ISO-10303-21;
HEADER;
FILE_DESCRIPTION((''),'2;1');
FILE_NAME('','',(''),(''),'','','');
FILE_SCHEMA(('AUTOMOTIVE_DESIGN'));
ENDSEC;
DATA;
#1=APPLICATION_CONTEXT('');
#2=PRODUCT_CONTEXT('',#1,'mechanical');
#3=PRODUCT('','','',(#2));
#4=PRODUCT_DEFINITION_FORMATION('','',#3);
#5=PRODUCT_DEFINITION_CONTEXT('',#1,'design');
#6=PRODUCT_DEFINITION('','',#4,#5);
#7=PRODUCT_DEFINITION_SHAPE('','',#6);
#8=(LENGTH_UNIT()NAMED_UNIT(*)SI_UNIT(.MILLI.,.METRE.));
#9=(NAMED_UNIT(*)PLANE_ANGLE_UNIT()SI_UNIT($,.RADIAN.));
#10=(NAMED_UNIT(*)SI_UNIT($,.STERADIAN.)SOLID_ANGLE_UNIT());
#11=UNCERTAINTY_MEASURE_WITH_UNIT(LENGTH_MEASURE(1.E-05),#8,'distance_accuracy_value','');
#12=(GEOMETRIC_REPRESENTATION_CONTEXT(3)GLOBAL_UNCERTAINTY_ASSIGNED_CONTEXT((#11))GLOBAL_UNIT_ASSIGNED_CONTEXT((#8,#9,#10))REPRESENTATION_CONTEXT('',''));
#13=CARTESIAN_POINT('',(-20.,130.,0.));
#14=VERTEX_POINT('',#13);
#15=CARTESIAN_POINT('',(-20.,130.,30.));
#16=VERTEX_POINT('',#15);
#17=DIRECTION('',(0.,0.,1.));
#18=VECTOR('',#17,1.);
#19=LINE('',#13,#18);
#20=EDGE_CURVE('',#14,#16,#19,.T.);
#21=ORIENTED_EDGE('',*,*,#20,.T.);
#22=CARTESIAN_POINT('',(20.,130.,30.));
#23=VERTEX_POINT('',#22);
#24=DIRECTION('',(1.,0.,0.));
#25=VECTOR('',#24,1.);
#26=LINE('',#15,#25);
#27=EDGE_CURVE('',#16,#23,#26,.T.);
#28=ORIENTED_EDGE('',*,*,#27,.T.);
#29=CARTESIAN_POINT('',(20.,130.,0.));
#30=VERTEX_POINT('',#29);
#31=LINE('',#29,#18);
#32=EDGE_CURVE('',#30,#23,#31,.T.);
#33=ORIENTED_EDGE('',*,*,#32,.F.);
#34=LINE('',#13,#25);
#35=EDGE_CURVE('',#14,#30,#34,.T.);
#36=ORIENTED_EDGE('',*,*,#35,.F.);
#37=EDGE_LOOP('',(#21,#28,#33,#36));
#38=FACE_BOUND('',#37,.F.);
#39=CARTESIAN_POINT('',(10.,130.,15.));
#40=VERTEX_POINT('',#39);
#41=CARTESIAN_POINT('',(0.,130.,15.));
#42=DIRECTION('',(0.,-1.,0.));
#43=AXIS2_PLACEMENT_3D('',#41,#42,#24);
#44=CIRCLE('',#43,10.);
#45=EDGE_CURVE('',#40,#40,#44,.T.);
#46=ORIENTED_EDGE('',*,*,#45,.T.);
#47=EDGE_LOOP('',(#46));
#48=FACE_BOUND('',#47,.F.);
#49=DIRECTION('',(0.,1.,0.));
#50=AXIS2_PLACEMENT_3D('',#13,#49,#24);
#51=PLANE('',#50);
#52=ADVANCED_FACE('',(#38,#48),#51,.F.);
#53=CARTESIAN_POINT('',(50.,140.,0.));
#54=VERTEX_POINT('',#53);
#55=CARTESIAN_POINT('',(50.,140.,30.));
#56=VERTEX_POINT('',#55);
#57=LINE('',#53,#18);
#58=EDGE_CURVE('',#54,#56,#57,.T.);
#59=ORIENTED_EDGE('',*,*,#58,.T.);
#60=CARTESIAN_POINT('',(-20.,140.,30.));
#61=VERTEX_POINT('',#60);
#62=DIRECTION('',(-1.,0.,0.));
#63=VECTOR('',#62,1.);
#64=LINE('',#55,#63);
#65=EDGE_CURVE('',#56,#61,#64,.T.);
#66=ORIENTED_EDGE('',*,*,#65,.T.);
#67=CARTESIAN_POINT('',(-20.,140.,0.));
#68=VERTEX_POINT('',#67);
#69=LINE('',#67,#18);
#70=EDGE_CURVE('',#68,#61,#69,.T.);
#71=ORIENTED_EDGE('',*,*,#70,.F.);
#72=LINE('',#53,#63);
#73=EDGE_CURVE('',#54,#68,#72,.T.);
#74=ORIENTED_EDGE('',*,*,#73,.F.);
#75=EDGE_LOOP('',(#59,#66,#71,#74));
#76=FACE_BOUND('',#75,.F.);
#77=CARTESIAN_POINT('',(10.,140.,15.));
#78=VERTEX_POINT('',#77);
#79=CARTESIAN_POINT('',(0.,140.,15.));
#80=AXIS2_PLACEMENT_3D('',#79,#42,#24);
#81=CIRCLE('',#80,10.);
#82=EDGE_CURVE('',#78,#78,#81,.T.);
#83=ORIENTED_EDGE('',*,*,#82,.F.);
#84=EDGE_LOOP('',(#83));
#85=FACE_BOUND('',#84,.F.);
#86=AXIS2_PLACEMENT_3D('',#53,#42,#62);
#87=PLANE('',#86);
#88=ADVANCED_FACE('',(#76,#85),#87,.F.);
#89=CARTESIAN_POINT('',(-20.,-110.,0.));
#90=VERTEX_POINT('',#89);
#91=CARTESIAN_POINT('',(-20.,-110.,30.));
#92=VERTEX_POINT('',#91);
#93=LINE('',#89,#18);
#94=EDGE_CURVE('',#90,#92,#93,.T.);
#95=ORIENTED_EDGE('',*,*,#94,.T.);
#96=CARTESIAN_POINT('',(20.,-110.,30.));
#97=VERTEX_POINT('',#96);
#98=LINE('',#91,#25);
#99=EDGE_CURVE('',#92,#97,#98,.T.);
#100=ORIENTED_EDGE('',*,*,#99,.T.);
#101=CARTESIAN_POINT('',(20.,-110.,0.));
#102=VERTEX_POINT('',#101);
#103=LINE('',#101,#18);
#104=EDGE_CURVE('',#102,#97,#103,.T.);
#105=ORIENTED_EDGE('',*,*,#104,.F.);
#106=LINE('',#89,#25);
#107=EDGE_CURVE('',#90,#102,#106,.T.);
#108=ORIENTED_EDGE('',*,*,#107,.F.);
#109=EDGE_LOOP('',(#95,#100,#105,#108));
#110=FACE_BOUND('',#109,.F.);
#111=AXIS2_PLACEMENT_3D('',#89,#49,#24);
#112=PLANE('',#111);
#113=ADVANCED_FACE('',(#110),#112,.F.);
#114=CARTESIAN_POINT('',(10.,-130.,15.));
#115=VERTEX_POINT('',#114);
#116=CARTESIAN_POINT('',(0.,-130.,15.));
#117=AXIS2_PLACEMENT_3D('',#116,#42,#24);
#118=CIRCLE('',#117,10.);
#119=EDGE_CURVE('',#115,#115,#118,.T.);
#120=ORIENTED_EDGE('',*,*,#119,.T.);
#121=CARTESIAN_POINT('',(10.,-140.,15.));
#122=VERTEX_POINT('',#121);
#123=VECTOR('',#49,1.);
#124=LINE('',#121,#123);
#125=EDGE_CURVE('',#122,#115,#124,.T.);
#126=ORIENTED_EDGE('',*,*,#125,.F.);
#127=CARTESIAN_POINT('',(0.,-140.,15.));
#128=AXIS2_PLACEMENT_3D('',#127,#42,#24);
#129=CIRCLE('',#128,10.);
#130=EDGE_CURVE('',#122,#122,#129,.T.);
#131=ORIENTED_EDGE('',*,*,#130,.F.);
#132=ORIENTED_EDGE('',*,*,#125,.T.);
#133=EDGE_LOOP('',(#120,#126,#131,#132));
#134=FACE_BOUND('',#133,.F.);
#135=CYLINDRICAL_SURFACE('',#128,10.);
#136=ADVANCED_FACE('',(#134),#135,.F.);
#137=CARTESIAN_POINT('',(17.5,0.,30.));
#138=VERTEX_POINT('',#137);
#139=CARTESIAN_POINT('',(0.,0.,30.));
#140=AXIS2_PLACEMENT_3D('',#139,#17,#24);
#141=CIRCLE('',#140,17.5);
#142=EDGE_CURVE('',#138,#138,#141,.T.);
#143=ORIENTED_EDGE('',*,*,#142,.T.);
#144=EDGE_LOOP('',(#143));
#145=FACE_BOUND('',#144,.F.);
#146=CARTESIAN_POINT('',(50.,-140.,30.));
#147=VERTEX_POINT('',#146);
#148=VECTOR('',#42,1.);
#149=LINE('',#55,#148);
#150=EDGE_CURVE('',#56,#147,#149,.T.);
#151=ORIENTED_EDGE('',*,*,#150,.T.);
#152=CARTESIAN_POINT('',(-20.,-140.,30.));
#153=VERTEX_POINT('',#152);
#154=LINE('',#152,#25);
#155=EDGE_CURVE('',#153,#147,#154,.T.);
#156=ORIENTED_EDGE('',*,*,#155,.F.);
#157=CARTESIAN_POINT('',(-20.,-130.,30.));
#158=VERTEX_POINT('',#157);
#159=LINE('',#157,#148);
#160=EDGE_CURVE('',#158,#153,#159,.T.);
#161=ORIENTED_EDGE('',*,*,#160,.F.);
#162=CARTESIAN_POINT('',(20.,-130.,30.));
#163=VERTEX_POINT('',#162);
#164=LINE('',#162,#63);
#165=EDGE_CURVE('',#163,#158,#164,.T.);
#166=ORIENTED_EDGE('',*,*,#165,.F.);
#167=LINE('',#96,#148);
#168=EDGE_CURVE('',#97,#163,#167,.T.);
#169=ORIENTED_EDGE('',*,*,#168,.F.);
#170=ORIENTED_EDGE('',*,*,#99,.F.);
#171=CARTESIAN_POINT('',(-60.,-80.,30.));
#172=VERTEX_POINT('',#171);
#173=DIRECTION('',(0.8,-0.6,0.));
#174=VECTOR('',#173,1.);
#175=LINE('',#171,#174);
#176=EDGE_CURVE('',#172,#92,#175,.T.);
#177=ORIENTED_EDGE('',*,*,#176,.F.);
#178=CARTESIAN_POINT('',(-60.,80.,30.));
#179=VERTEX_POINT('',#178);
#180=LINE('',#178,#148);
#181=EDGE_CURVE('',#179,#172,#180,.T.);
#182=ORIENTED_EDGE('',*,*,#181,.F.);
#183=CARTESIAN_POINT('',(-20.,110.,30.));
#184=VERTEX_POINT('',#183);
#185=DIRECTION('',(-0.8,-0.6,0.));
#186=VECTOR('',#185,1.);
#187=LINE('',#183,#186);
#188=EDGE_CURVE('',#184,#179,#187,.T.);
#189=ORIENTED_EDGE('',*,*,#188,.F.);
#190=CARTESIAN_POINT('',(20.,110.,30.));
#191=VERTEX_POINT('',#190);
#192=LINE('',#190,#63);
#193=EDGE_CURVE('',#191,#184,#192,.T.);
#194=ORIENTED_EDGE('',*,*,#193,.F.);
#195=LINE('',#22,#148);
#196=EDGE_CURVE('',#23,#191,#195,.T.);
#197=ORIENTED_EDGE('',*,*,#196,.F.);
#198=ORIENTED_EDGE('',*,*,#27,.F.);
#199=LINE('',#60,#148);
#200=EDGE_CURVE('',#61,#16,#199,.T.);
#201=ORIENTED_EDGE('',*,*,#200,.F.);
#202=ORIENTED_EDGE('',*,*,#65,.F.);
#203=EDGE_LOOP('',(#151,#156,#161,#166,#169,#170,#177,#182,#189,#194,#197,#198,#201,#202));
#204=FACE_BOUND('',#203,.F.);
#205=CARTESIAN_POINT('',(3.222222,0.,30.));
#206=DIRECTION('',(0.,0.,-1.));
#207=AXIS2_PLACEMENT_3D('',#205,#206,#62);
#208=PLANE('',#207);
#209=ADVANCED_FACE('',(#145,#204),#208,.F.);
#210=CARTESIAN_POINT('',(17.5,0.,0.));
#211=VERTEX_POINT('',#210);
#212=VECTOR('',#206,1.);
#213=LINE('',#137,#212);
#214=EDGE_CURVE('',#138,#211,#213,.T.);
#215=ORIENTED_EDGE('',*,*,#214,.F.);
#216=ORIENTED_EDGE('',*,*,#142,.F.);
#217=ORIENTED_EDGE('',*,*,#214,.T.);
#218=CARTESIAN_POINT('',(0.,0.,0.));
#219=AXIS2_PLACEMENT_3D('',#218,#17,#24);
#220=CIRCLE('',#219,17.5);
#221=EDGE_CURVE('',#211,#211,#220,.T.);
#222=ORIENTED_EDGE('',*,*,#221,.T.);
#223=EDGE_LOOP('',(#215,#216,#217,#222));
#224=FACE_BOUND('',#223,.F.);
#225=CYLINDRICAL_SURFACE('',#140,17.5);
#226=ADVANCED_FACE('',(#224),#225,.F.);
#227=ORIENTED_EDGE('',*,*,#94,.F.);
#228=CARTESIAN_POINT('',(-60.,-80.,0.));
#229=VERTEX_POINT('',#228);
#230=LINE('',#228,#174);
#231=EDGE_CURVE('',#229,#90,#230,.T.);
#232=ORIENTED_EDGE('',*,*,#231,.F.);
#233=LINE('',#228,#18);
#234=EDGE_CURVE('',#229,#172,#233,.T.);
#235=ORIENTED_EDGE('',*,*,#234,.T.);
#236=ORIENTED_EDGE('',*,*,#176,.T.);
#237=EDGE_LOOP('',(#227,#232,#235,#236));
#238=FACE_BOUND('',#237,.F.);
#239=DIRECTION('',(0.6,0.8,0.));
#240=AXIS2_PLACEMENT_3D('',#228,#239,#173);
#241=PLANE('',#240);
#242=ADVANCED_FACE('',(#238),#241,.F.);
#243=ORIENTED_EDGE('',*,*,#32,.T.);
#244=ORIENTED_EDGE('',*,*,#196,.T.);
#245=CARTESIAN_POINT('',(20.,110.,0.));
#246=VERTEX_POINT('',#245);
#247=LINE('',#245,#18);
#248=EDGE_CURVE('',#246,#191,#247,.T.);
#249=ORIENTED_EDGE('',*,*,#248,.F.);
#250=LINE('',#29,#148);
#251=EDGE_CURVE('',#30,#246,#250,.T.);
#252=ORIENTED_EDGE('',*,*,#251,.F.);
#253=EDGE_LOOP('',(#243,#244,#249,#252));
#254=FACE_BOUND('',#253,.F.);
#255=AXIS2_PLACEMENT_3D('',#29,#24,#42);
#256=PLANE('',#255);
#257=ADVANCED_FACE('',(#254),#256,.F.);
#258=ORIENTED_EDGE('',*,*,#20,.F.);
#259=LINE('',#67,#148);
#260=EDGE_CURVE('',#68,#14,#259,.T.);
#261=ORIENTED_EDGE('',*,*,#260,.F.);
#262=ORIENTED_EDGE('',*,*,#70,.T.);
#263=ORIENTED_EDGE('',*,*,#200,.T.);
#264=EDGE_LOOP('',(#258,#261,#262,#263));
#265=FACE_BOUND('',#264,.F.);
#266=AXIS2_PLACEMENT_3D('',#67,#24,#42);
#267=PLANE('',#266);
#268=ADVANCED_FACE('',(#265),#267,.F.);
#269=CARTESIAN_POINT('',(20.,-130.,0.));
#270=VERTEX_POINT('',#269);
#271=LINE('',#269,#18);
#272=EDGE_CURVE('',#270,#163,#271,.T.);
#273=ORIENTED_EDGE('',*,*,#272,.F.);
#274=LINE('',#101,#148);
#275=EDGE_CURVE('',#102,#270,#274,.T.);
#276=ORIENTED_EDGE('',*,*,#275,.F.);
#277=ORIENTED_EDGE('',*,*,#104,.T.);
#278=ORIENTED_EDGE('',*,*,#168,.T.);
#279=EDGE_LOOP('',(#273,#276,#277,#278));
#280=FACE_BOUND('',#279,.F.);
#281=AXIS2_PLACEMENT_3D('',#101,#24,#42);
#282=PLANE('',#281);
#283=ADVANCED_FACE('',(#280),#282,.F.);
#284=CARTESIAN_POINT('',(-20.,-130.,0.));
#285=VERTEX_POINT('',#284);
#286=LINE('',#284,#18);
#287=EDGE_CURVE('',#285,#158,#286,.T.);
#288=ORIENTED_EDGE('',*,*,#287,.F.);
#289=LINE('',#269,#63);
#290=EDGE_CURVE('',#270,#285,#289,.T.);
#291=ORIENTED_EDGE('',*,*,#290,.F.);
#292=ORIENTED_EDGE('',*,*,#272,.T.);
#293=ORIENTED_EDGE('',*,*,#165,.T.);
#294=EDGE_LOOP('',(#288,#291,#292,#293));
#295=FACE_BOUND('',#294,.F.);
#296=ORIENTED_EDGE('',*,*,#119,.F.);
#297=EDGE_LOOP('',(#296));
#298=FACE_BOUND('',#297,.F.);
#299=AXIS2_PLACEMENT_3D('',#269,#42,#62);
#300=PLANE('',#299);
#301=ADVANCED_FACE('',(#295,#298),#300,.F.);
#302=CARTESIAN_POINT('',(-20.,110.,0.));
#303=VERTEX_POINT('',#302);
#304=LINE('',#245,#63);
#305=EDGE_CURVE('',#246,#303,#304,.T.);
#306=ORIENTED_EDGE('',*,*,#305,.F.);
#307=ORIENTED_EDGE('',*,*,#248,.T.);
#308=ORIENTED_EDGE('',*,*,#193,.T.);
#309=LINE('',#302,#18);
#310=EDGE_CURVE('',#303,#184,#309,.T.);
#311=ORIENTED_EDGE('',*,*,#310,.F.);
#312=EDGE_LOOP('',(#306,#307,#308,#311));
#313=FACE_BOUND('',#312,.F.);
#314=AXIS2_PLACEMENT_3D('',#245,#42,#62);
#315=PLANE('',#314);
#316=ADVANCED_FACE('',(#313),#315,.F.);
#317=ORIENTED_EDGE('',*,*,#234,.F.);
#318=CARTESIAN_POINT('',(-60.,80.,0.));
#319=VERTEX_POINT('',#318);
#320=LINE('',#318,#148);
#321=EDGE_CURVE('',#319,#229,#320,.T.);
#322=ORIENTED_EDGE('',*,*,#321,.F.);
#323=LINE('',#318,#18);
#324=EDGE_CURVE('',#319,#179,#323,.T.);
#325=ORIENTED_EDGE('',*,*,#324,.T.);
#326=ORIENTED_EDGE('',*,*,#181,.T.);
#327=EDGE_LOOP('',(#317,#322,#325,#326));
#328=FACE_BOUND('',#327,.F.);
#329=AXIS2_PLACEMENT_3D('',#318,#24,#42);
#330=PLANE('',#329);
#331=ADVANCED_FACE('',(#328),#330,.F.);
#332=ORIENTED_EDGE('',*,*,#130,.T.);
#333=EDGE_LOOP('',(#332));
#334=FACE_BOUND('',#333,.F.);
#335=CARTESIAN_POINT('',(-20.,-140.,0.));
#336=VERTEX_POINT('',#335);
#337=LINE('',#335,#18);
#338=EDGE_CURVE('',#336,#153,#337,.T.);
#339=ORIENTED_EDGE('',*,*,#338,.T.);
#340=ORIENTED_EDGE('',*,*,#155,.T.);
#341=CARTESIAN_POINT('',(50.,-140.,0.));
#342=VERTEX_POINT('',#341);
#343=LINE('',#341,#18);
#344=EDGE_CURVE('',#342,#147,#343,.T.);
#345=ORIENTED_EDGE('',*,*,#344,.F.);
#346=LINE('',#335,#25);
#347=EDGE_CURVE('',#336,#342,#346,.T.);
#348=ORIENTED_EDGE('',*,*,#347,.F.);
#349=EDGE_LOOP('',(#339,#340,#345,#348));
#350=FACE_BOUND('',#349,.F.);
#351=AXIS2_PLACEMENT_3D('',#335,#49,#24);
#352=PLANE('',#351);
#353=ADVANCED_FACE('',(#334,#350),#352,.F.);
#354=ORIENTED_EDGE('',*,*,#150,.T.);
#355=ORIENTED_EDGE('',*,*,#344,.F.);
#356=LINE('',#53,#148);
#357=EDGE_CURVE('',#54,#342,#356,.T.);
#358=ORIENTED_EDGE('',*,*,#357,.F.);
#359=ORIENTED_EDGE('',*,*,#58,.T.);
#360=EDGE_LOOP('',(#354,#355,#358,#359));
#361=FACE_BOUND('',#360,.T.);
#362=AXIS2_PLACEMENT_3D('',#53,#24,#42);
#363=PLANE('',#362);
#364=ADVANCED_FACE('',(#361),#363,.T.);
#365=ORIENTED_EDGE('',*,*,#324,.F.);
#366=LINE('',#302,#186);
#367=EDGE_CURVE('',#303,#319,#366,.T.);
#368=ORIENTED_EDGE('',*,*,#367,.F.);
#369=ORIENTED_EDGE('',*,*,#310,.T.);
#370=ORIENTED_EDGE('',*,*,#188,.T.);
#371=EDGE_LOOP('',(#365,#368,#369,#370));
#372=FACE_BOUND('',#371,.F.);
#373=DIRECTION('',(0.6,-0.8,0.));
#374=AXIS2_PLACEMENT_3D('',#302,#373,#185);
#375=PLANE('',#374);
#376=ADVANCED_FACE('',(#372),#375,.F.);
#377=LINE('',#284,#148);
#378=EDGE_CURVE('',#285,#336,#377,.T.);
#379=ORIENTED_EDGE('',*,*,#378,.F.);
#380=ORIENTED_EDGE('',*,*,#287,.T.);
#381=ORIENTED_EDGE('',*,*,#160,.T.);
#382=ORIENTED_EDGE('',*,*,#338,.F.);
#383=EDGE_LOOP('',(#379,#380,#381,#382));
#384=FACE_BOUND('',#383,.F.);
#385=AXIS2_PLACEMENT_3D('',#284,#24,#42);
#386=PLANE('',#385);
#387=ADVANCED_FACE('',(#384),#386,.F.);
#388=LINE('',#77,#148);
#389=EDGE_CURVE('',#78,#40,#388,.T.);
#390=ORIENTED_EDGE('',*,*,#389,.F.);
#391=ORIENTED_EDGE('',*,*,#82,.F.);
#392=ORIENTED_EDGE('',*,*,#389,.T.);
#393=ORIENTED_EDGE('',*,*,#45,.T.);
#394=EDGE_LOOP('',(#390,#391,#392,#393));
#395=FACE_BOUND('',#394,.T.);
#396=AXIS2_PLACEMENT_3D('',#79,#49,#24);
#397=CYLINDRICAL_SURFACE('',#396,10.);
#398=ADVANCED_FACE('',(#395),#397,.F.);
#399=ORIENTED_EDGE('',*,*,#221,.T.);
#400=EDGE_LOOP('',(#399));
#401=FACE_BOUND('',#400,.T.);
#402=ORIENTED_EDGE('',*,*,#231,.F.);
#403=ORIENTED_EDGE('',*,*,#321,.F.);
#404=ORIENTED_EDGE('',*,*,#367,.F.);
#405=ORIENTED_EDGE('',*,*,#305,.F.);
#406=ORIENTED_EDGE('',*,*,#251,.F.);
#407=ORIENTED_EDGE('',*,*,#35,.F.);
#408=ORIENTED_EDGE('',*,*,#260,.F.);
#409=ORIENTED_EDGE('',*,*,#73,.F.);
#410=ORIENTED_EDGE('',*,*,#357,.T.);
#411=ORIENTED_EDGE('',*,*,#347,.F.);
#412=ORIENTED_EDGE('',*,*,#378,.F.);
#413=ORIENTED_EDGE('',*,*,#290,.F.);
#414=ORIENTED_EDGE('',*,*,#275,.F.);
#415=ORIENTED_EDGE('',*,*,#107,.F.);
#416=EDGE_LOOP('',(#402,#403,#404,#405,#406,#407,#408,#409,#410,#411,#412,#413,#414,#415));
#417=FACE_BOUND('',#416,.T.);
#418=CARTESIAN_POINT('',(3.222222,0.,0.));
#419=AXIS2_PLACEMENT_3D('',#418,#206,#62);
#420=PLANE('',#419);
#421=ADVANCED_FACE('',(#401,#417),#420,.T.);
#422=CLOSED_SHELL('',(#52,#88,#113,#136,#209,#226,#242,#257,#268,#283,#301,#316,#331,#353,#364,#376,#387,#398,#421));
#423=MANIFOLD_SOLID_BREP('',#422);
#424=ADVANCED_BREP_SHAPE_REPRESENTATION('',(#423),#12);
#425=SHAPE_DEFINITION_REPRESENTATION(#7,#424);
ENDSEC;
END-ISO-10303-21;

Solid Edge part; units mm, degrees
sketch "Sketch1" plane through (0, 0, 0) normal (0, 0, 1) x (1, 0, 0)
  line L0 (50, 140) -> (50, -140)
  line L1 (-20, -140) -> (50, -140)
  line L2 (-20, -130) -> (-20, -140)
  line L3 (20, -130) -> (-20, -130)
  line L4 (20, -110) -> (20, -130)
  line L5 (-20, -110) -> (20, -110)
  line L6 (-60, -80) -> (-20, -110)
  line L7 (-60, 80) -> (-60, -80)
  line L8 (-20, 110) -> (-60, 80)
  line L9 (20, 110) -> (-20, 110)
  line L10 (20, 130) -> (20, 110)
  line L11 (-20, 130) -> (20, 130)
  line L12 (-20, 140) -> (-20, 130)
  line L13 (50, 140) -> (-20, 140)
  dimension "D1" = 280
  dimension "D2" = 10
  dimension "D3" = 10
  dimension "D4" = 20
  dimension "D5" = 20
  dimension "D6" = 30
  dimension "D7" = 30
  dimension "D8" = 110
  dimension "D9" = 70
  dimension "D10" = 70
  dimension "D11" = 160
extrude "Protrusion1" add sketch "Sketch1" along normal blind 30
sketch "Sketch2" plane through (15, -140, 15) normal (0, -1, 0) x (1, 0, 0)
  circle A0 centre (-15, 0) radius 10
  dimension "D1" = 20
extrude "Cutout1" cut sketch "Sketch2" against normal up to next
mirror "Mirror1" about plane through (0, 0, 0) normal (0, -1, 0) of "Cutout1"
sketch "Sketch3" plane through (-5, 0, 30) normal (0, 0, 1) x (1, 0, 0)
  circle A0 centre (5, 0) radius 17.5
  dimension "D1" = 35
extrude "Cutout2" cut sketch "Sketch3" against normal up to next
